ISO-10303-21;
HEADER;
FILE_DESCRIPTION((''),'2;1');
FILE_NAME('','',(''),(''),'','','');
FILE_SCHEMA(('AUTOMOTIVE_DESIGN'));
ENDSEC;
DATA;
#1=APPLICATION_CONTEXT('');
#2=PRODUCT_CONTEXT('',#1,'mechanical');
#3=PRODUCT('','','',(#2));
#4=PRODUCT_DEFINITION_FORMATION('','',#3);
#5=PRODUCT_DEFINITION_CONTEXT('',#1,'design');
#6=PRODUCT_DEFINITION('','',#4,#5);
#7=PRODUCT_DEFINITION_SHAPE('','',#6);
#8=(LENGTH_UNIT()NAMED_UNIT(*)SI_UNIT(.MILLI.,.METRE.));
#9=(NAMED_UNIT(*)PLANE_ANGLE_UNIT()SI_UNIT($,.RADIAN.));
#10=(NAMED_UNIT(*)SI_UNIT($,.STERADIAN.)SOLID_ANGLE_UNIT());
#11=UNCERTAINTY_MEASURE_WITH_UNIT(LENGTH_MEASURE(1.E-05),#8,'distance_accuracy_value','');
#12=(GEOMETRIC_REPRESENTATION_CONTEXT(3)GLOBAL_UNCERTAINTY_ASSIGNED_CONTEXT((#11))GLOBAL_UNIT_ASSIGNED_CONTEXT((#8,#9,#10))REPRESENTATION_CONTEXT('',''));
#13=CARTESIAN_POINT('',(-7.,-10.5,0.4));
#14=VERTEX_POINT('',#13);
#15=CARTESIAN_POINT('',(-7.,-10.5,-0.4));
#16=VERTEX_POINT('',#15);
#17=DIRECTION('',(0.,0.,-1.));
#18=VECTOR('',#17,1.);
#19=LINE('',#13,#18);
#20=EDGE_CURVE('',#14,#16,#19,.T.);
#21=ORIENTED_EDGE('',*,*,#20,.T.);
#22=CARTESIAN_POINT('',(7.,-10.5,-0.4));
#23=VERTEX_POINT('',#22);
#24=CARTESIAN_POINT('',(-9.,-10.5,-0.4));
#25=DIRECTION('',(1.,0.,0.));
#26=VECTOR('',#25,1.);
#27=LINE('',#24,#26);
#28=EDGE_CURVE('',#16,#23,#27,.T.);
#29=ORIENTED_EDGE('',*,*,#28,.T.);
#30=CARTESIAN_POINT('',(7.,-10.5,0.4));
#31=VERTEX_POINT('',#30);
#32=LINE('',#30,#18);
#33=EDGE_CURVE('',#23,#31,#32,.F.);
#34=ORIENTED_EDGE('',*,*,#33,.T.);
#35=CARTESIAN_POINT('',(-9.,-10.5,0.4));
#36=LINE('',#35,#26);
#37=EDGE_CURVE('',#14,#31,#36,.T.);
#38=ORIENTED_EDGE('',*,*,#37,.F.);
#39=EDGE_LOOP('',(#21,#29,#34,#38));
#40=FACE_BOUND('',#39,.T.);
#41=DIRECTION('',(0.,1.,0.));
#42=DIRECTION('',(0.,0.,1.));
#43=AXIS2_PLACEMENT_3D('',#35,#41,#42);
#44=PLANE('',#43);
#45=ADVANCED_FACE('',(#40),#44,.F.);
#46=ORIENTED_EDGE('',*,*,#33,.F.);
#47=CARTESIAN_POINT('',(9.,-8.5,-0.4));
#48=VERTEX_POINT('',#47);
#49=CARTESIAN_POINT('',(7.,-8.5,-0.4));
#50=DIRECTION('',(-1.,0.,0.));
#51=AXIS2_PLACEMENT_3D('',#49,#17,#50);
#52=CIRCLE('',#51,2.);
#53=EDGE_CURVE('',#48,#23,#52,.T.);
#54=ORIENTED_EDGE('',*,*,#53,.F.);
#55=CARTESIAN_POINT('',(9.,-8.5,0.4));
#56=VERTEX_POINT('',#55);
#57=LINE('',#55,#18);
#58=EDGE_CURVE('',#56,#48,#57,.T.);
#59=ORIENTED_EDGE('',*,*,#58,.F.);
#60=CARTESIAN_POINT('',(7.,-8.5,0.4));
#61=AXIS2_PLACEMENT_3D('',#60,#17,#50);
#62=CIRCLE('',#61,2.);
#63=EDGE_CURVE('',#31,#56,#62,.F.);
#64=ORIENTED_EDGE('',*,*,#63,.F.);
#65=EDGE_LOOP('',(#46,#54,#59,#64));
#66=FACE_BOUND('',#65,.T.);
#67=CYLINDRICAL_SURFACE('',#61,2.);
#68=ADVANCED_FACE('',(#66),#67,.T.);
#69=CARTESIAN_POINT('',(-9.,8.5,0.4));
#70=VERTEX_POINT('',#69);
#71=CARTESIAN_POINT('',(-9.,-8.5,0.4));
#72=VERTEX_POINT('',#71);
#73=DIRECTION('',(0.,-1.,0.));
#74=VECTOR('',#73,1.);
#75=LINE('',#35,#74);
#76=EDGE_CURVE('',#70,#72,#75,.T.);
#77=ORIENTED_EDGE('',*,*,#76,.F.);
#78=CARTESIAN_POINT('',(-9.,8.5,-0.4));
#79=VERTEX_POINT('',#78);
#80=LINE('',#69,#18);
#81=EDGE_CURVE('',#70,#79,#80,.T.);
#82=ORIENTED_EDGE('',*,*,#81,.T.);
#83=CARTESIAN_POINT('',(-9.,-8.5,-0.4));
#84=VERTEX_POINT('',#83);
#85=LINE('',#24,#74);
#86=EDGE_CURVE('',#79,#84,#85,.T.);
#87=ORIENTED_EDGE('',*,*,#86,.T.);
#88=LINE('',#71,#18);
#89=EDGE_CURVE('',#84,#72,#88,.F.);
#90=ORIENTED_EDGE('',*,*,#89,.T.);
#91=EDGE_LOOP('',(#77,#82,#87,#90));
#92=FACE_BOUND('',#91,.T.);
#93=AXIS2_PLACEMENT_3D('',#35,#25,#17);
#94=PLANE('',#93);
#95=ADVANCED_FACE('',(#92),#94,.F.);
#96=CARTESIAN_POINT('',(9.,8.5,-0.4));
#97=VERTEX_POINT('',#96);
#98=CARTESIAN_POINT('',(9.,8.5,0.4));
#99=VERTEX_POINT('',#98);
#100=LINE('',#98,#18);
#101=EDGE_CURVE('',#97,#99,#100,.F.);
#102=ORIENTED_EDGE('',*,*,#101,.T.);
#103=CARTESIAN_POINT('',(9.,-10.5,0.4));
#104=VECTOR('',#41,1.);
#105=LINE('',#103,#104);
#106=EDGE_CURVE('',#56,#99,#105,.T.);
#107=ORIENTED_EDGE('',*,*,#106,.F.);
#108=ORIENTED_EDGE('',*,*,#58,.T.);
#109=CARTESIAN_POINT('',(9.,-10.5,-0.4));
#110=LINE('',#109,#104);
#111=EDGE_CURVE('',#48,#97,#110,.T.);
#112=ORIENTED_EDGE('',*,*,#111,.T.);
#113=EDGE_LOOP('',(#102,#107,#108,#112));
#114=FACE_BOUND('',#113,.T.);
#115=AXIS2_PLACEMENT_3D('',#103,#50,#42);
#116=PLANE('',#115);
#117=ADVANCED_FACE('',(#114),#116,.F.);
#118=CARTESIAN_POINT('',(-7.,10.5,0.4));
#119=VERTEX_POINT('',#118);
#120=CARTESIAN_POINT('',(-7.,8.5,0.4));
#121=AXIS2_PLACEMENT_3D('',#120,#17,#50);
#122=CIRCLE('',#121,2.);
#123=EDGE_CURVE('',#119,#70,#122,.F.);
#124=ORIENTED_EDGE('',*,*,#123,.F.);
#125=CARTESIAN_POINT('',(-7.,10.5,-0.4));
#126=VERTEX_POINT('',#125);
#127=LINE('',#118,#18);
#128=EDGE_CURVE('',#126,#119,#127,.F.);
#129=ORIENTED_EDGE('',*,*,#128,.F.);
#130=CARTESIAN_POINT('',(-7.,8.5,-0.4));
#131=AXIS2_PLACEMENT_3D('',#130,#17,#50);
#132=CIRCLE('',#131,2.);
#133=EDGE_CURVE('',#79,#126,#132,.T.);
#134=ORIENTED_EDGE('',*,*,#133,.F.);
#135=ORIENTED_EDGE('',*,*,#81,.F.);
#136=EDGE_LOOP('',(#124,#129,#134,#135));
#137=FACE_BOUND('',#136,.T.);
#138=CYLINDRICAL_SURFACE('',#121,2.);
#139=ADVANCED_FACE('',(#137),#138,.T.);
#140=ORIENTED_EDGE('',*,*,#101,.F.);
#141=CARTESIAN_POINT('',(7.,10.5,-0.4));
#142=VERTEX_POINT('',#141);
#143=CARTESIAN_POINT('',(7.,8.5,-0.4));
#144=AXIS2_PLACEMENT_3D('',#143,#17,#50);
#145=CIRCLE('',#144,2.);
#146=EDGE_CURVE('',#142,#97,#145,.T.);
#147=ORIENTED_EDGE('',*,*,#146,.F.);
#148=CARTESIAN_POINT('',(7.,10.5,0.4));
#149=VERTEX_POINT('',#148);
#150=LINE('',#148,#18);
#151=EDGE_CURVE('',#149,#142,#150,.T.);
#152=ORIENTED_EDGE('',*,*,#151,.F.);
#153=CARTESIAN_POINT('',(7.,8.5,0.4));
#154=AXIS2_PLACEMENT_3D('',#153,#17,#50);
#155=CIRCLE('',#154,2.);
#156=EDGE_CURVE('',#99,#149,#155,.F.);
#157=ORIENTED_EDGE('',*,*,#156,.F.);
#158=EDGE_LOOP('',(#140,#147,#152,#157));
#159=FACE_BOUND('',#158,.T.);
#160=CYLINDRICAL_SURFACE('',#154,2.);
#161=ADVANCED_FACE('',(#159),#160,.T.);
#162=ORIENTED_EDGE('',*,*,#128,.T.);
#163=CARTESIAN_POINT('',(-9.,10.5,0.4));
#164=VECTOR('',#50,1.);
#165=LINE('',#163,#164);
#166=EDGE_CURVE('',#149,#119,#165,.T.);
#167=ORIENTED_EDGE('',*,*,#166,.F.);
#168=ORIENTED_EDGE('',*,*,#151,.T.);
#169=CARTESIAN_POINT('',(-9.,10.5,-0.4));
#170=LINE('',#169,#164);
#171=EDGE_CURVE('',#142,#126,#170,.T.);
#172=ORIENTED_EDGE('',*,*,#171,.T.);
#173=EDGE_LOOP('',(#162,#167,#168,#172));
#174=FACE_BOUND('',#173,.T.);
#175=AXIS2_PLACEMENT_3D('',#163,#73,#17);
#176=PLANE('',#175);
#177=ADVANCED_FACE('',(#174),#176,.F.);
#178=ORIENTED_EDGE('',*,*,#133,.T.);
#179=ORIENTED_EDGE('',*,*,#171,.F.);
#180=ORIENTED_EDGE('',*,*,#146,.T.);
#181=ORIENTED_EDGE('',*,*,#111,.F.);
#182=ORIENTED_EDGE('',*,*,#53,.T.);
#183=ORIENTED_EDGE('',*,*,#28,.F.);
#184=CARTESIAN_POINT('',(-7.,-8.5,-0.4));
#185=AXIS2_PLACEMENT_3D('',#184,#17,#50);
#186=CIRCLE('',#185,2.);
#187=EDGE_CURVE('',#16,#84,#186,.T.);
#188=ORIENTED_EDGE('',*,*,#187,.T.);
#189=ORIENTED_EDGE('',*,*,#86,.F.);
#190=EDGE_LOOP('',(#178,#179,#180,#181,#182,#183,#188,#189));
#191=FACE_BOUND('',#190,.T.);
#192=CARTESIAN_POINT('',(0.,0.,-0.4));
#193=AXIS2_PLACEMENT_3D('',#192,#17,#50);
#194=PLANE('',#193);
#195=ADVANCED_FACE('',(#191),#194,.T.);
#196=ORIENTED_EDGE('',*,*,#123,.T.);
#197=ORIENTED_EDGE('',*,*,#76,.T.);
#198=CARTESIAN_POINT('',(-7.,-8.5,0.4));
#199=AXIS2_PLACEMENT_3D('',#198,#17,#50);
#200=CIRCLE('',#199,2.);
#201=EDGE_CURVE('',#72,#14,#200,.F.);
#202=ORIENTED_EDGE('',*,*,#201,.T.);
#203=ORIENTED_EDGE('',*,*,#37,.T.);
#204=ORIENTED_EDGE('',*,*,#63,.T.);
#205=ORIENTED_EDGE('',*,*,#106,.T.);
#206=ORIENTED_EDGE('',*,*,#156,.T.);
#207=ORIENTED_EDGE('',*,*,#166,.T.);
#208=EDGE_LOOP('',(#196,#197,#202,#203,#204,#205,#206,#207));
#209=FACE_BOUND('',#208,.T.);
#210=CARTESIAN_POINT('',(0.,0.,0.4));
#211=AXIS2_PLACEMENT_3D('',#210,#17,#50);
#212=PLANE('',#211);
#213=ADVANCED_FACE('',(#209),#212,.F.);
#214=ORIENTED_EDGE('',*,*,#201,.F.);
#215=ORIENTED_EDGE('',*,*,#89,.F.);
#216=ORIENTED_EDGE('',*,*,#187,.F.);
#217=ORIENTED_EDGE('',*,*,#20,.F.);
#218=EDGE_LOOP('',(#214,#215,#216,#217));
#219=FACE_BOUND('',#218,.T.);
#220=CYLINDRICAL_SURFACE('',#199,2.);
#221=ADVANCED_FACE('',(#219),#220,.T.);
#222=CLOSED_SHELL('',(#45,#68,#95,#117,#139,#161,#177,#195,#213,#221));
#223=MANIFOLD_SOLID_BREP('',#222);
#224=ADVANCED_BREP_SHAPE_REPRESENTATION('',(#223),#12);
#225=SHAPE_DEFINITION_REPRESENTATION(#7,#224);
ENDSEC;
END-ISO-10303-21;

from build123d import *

# Parameters (mm, degrees)
SKETCH_1_W      = 18
SKETCH_1_H      = 21
EXTRUDE_1_DEPTH = 0.4
FILLET_1_R      = 2


with BuildPart() as part:
    # Эскиз1 → Бобышка-Вытянуть1 (new body, symmetric)
    with BuildSketch(Plane.XY):
        Rectangle(SKETCH_1_W, SKETCH_1_H)
    extrude(amount=EXTRUDE_1_DEPTH, both=True)

    # Скругление1
    fillet_1_edges = [part.edges().sort_by_distance(p)[0] for p in [
        (9, -10.5, 0),
        (-9, -10.5, 0),
        (-9, 10.5, 0),
        (9, 10.5, 0),
    ]]
    fillet(fillet_1_edges, radius=FILLET_1_R)


solid = part.part
